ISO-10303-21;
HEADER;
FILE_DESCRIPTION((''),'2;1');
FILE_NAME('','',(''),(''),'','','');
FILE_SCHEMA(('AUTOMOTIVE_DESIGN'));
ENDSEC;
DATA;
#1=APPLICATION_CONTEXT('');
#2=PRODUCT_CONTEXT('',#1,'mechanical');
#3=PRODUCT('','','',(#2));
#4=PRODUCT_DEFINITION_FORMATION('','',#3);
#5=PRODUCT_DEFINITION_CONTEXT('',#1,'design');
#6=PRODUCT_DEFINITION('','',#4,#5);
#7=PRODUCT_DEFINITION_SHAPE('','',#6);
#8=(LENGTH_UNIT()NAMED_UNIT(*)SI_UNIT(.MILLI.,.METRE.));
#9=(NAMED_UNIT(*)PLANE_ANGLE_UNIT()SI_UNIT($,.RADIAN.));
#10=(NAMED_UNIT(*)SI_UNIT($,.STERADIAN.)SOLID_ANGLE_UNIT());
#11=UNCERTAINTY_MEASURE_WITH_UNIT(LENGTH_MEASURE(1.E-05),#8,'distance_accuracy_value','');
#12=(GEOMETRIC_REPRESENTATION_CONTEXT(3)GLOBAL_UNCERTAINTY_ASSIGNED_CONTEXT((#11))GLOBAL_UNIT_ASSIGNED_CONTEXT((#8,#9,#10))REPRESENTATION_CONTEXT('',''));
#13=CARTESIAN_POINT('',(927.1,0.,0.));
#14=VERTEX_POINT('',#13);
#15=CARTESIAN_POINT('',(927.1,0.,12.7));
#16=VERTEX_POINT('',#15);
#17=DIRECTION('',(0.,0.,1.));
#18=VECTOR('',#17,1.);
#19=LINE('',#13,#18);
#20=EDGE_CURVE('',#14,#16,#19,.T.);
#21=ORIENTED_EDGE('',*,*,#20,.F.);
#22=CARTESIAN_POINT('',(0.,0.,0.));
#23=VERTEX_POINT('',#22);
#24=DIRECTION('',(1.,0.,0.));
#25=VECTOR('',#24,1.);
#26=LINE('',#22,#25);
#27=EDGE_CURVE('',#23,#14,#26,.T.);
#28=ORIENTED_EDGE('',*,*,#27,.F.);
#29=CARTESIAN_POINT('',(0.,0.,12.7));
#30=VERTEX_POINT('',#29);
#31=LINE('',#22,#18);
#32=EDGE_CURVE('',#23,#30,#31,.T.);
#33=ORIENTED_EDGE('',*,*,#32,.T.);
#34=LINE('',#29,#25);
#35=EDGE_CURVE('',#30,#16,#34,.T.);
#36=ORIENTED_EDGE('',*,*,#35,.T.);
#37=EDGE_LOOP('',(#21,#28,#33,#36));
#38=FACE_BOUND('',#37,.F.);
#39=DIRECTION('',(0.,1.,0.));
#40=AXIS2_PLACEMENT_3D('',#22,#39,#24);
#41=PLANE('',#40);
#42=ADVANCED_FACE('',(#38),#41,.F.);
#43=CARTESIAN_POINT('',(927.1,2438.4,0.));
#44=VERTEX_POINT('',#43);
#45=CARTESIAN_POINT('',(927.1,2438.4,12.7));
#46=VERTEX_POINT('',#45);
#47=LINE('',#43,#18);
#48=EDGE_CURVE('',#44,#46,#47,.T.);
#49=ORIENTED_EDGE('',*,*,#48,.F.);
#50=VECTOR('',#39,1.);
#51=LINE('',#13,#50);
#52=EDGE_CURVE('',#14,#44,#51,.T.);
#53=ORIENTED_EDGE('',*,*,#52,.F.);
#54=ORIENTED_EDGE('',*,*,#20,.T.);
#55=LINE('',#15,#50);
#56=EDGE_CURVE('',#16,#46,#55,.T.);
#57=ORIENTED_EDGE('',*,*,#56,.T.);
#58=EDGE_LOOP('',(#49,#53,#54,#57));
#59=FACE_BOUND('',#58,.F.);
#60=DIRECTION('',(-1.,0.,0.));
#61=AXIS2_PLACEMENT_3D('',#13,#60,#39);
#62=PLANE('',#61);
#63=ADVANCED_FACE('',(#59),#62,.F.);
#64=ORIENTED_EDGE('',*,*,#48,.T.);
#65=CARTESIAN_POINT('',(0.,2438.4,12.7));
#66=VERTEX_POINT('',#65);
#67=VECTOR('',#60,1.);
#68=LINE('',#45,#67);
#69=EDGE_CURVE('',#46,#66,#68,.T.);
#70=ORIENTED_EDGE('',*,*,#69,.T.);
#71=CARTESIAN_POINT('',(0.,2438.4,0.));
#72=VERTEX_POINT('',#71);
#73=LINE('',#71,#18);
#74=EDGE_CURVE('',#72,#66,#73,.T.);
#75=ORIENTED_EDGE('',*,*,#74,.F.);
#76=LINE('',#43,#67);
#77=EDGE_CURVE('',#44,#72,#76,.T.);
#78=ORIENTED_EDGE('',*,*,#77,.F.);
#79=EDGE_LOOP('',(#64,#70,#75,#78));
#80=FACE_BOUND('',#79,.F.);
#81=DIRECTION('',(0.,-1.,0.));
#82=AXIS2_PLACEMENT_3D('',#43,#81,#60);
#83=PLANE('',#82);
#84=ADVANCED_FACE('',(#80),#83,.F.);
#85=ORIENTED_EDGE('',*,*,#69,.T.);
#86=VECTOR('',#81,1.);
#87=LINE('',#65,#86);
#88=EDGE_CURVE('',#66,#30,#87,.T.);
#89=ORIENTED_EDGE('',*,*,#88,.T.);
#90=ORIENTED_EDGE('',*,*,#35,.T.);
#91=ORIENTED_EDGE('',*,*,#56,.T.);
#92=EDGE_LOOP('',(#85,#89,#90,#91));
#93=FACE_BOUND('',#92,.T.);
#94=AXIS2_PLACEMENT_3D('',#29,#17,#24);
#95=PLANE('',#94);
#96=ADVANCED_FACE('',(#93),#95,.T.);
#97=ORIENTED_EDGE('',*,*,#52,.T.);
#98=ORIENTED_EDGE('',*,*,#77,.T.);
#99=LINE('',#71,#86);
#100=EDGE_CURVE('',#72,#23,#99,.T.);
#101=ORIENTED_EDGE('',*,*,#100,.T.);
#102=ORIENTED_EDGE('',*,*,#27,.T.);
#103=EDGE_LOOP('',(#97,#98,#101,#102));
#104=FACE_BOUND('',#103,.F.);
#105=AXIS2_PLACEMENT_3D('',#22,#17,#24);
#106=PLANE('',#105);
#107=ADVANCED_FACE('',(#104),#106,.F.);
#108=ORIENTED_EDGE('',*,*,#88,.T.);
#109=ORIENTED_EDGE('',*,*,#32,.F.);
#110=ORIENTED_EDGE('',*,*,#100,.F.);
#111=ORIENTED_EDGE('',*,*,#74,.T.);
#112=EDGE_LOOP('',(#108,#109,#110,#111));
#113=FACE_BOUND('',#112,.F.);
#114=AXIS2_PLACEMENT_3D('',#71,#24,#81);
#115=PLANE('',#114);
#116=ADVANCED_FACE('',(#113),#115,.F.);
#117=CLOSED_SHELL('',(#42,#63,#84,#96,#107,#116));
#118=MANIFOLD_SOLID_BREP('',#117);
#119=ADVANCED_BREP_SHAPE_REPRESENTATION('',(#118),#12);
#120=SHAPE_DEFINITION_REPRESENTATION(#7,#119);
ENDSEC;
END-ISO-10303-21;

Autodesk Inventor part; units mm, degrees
ref_plane "YZ Plane" through (0, 0, 0) normal (1, 0, 0) x (0, 1, 0)
ref_plane "XZ Plane" through (0, 0, 0) normal (0, 1, 0) x (-1, 0, 0)
ref_plane "XY Plane" through (0, 0, 0) normal (0, 0, 1) x (1, 0, 0)
sketch "Sketch1" plane through (0, 0, 0) normal (0, 0, 1) x (1, 0, 0)
  line L0 (0, 0) -> (927.1, 0)
  line L1 (927.1, 0) -> (927.1, 2438.4)
  line L2 (927.1, 2438.4) -> (0, 2438.4)
  line L3 (0, 2438.4) -> (0, 0)
  dimension "d2" = 2438.4
  dimension "d3" = 927.1
extrude "Extrusion1" add sketch "Sketch1" along normal blind 12.7
properties part number "Sheathing" material "Wood (Birch)"
